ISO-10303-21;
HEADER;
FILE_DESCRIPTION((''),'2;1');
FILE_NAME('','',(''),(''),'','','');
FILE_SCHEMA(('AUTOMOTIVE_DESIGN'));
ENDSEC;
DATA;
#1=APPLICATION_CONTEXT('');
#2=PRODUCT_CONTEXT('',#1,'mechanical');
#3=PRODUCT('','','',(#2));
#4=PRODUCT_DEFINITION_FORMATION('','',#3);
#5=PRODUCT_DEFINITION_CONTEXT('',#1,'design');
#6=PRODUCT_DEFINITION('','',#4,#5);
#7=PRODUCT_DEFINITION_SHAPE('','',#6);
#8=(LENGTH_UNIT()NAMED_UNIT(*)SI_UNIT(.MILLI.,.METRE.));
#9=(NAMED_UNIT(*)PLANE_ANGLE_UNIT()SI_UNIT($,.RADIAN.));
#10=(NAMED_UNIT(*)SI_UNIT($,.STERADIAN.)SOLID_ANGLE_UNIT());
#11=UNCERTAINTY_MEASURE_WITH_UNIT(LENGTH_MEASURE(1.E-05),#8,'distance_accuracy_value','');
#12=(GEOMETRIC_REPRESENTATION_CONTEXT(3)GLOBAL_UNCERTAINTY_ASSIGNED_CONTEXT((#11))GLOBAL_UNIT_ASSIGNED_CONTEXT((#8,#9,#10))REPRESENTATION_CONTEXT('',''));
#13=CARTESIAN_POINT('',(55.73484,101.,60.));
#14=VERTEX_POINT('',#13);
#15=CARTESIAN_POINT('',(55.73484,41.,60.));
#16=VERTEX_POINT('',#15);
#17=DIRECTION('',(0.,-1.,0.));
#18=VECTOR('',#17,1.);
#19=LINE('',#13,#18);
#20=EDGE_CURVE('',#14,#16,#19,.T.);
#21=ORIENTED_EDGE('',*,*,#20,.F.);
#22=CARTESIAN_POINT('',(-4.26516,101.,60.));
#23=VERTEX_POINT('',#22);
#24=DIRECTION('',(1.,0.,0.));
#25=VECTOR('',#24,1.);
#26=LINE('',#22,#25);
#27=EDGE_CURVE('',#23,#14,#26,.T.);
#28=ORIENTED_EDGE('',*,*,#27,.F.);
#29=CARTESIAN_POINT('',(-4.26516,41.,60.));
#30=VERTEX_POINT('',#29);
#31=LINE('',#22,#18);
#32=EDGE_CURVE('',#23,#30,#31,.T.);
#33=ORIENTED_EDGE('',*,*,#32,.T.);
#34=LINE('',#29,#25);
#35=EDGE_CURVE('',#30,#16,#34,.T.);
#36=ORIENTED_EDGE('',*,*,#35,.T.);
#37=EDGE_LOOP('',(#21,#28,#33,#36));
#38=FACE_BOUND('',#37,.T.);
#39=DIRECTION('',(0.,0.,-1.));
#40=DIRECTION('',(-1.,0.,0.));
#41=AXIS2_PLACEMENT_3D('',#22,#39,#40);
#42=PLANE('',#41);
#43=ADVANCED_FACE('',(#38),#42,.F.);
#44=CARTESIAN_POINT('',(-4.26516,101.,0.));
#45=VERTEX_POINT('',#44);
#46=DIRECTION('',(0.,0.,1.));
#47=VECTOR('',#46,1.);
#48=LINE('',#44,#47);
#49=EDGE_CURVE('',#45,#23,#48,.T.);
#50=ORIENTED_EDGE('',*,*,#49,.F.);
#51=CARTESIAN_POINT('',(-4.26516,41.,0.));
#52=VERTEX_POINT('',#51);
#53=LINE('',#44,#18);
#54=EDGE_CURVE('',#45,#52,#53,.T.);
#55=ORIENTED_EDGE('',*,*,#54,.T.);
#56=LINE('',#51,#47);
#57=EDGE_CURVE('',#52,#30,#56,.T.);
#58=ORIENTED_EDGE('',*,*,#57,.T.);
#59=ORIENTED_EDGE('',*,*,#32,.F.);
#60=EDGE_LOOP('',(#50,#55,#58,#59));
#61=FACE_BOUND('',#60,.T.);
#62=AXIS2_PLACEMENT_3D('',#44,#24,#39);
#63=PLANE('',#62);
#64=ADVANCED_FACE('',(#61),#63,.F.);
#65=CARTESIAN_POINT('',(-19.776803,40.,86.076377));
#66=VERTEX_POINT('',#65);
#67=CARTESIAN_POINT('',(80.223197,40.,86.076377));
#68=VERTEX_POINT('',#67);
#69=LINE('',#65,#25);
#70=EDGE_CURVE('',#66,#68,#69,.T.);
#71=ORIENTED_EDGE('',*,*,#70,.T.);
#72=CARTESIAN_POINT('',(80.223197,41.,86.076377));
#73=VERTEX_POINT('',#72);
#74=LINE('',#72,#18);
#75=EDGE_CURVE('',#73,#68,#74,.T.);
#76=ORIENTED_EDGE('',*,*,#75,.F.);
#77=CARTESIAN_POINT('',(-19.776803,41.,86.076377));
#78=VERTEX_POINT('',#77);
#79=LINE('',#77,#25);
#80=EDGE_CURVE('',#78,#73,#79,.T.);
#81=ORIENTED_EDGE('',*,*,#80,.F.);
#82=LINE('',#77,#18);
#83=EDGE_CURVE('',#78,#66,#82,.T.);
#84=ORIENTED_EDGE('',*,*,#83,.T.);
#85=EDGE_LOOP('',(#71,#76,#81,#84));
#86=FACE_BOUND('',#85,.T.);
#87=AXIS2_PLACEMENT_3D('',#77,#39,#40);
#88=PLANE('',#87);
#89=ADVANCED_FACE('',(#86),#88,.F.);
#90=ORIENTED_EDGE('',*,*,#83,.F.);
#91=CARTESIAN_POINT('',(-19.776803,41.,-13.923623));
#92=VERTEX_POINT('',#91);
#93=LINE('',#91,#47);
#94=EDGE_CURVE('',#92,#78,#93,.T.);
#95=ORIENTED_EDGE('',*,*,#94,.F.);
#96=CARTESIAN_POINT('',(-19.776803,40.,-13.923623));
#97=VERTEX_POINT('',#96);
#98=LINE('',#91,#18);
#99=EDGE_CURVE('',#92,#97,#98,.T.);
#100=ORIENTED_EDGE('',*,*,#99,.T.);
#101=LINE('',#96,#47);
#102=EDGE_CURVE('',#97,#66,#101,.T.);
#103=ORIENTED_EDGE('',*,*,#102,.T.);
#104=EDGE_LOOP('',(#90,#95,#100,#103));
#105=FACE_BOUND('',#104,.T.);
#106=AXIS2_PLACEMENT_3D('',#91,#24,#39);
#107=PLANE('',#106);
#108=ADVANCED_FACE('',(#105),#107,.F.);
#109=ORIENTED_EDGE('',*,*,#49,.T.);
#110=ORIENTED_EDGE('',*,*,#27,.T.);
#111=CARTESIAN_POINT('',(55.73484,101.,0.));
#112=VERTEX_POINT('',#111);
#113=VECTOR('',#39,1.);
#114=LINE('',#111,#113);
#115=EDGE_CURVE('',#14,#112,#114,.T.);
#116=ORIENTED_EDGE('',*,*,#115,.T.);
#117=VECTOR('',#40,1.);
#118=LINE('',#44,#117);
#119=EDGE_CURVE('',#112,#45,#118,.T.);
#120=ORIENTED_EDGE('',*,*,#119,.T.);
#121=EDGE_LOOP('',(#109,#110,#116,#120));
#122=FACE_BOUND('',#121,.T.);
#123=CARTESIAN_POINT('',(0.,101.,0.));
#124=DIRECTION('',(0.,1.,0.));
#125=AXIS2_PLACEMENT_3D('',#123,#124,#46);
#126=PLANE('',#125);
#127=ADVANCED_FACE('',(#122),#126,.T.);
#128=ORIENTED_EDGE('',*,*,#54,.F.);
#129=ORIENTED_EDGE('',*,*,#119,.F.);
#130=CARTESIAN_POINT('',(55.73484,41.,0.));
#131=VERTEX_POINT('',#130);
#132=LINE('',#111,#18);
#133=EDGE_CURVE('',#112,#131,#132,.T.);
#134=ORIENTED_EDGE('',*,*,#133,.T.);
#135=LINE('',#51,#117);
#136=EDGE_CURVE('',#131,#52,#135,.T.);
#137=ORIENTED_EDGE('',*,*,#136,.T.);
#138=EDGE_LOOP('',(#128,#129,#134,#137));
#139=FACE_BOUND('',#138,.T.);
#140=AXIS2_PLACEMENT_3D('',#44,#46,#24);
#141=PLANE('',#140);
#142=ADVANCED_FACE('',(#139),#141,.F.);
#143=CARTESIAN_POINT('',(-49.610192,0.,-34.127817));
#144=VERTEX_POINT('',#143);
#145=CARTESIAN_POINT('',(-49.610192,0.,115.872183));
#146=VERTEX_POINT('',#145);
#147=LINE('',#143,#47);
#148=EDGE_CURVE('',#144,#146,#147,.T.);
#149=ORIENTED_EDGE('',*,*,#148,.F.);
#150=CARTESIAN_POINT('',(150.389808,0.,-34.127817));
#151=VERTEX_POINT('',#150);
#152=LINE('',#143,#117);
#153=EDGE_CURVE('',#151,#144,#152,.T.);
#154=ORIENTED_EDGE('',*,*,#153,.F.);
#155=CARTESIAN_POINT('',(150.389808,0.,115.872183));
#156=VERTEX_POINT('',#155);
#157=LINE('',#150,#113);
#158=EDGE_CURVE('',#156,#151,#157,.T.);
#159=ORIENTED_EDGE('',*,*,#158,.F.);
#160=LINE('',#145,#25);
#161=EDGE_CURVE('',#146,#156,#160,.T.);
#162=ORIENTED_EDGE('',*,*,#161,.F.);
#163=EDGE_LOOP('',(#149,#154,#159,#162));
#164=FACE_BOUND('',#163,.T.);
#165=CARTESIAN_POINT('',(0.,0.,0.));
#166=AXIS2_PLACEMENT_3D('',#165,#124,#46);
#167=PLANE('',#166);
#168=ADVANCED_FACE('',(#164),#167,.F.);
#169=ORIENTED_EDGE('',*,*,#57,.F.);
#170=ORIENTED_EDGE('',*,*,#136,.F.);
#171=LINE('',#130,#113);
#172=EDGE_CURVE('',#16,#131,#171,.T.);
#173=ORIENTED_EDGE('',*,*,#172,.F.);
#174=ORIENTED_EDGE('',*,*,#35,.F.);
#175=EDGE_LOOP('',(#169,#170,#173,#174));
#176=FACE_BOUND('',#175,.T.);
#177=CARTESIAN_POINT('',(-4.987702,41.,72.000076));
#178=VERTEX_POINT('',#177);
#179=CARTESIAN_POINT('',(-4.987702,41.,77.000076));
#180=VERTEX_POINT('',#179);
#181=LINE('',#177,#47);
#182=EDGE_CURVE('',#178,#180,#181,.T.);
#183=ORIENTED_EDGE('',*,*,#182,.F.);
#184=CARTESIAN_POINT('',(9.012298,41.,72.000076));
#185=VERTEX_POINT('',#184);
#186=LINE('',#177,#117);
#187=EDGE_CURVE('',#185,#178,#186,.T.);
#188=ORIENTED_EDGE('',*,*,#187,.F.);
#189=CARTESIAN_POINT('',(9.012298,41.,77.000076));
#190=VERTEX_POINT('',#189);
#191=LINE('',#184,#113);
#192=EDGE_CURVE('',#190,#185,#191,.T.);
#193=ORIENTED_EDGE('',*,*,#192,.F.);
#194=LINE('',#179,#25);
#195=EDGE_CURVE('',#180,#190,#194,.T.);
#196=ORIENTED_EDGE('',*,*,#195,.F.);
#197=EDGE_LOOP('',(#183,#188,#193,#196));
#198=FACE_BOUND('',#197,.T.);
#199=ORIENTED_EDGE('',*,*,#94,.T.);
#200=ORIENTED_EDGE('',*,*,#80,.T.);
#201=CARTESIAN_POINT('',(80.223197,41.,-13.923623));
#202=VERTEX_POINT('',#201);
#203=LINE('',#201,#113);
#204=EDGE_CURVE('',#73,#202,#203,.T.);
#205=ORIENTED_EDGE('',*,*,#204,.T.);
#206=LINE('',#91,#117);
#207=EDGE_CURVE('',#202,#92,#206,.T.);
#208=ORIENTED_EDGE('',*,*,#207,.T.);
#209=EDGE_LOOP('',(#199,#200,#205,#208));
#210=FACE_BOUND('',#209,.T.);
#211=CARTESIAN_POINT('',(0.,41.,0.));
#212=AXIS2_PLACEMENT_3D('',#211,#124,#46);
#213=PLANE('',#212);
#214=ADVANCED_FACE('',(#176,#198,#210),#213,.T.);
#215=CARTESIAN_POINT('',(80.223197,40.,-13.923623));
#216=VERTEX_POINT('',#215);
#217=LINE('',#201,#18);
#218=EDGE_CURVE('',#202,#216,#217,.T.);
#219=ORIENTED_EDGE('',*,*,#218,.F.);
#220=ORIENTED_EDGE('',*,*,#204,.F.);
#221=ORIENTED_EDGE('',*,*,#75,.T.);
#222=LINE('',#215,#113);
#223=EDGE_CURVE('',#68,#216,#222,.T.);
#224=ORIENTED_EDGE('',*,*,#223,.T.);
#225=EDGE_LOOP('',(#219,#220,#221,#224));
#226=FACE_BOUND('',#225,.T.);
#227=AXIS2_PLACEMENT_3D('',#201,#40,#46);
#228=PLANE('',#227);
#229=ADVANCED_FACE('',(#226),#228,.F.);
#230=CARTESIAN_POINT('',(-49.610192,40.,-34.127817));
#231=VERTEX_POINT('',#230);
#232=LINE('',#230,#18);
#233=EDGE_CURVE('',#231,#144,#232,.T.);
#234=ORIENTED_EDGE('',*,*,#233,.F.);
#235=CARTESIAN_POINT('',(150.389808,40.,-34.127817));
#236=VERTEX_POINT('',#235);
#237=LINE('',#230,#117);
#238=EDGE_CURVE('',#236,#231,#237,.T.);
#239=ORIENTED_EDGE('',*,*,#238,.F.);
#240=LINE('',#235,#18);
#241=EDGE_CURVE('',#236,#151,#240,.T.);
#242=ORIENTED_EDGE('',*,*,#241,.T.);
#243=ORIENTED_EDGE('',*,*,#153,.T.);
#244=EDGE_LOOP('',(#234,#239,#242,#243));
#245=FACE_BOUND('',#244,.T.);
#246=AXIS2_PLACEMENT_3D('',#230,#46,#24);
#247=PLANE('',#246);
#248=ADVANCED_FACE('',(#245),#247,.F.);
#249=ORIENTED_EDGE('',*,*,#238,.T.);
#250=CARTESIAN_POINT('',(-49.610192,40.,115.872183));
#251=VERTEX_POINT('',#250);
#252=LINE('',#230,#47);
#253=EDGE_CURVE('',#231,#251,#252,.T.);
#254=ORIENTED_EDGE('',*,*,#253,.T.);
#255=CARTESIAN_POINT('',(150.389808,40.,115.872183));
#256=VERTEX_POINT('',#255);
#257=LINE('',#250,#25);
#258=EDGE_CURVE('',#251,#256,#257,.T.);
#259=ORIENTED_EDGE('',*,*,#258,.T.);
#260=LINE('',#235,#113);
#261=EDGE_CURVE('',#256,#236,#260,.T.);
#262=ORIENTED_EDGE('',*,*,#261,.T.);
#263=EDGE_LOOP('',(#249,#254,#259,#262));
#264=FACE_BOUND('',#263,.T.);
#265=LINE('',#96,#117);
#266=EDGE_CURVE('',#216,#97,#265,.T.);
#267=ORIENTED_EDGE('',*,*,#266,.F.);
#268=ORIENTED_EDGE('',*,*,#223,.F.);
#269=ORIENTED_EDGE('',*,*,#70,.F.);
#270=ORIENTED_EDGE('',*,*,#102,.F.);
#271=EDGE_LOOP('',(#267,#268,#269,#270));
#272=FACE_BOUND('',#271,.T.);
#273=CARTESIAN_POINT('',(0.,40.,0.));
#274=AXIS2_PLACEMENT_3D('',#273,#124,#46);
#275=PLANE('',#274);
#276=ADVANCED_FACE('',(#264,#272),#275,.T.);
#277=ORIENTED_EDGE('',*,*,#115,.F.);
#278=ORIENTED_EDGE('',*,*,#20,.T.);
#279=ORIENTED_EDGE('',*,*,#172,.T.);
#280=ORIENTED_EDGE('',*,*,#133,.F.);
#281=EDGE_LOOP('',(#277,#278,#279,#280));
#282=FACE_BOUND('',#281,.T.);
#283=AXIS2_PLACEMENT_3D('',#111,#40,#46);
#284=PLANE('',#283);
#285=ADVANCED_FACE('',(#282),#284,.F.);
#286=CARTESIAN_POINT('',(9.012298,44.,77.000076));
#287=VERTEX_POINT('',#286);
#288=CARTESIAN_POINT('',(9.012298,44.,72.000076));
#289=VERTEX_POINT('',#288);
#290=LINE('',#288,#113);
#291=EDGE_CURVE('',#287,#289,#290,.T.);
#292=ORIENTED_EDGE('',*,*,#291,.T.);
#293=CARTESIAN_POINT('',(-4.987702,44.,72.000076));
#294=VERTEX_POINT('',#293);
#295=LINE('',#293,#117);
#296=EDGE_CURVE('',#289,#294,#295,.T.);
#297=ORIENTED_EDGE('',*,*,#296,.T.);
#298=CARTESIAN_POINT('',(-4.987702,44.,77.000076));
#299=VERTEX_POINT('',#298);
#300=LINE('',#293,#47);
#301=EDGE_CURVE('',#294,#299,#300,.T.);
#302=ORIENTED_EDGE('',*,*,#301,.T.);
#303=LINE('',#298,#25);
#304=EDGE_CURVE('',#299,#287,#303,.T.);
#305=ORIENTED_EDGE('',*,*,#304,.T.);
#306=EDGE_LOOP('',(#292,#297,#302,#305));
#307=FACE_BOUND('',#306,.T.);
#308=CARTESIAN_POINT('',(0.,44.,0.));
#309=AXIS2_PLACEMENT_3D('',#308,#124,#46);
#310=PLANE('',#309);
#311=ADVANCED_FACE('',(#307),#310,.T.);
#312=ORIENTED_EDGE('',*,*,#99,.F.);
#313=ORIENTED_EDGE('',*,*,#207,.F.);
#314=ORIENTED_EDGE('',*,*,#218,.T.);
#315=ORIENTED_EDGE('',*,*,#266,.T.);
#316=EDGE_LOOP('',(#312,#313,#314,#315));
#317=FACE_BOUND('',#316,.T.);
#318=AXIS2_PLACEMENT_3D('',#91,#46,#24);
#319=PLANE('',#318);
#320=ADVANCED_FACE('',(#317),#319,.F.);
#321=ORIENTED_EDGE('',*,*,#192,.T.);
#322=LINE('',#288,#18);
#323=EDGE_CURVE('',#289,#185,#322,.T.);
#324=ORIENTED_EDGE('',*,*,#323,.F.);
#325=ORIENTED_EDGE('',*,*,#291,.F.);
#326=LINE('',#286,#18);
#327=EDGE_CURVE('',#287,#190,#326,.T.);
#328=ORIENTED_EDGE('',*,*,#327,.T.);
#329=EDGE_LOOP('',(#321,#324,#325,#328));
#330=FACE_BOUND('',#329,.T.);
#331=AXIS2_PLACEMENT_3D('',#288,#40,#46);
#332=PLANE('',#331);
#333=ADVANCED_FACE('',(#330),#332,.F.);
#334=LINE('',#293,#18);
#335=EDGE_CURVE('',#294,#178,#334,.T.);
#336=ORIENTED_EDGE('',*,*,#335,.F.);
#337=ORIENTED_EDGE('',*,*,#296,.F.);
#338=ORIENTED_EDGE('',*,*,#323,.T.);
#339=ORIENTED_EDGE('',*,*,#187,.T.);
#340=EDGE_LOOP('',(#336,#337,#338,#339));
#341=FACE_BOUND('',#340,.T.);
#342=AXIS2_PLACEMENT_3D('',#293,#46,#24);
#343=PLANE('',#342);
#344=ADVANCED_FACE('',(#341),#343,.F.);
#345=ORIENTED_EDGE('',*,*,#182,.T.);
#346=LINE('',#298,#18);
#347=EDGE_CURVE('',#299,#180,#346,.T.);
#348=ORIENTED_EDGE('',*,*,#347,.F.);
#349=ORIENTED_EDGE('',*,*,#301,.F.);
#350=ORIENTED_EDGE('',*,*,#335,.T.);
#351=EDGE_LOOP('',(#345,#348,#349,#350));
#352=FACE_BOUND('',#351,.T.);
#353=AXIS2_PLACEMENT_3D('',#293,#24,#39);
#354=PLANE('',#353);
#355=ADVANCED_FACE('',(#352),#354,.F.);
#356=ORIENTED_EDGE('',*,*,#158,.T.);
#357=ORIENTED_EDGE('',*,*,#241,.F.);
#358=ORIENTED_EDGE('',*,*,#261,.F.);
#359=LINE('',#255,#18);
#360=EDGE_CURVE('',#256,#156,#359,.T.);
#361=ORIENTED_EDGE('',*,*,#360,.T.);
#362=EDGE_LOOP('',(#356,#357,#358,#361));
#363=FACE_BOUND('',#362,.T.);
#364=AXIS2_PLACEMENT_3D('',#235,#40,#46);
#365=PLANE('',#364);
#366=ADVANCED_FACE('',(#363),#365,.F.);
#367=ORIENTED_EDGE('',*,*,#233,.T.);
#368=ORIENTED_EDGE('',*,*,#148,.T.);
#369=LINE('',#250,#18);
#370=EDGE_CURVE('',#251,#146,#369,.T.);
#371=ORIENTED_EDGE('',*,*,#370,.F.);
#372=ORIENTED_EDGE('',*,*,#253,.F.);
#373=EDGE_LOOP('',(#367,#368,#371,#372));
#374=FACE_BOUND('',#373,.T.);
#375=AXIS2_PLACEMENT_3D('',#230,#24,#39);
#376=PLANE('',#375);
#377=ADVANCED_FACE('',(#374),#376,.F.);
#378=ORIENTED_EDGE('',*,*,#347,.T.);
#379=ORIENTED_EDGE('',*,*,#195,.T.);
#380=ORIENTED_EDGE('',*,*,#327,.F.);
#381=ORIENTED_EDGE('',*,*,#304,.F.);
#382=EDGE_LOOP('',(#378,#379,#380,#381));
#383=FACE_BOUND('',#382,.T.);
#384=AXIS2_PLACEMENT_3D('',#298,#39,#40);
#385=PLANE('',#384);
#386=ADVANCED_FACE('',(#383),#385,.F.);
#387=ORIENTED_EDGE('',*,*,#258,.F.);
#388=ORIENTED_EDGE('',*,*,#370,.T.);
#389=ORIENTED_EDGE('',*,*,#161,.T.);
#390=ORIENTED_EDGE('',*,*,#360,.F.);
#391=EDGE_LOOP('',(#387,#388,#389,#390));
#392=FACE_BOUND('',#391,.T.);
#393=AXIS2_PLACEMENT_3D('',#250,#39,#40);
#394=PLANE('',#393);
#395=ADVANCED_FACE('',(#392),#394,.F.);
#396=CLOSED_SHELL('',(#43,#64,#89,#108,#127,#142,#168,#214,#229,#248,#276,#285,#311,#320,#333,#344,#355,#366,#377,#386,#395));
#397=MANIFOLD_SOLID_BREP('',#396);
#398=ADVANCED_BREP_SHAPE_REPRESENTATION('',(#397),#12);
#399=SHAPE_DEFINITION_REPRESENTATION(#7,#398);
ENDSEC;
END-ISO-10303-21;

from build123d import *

# Parameters (mm, degrees)
SKETCH_10_W       = 200
SKETCH_10_H       = 150
EXTRUDE_401_DEPTH = 40
SKETCH_11_W       = 100
SKETCH_11_H       = 100
EXTRUDE_558_DEPTH = 1
SKETCH_12_W       = 60
SKETCH_12_H       = 60
EXTRUDE_709_DEPTH = 60
SKETCH_13_W       = 14
SKETCH_13_H       = 5
EXTRUDE_893_DEPTH = 3


with BuildPart() as part:
    # Эскиз10 → Extrude 401 (new body)
    with BuildSketch(Plane(origin=(0, 0, 0), x_dir=(1, 0, 0), z_dir=(0, 1, 0))):
        with Locations((50.389807825, -40.872183235)):
            Rectangle(SKETCH_10_W, SKETCH_10_H)
    extrude(amount=EXTRUDE_401_DEPTH)

    # Эскиз11 → Extrude 558 (add)
    with BuildSketch(Plane(origin=(0, 40, 0), x_dir=(1, 0, 0), z_dir=(0, 1, 0))):
        with Locations((30.223196857, -36.076377212)):
            Rectangle(SKETCH_11_W, SKETCH_11_H)
    extrude(amount=EXTRUDE_558_DEPTH)

    # Эскиз12 → Extrude 709 (add)
    with BuildSketch(Plane(origin=(0, 41, 0), x_dir=(1, 0, 0), z_dir=(0, 1, 0))):
        with Locations((25.734840207, -30)):
            Rectangle(SKETCH_12_W, SKETCH_12_H)
    extrude(amount=EXTRUDE_709_DEPTH)

    # Эскиз13 → Extrude 893 (add)
    with BuildSketch(Plane(origin=(0, 41, 0), x_dir=(1, 0, 0), z_dir=(0, 1, 0))):
        with Locations((2.012297913, -74.500076324)):
            Rectangle(SKETCH_13_W, SKETCH_13_H)
    extrude(amount=EXTRUDE_893_DEPTH)


solid = part.part
